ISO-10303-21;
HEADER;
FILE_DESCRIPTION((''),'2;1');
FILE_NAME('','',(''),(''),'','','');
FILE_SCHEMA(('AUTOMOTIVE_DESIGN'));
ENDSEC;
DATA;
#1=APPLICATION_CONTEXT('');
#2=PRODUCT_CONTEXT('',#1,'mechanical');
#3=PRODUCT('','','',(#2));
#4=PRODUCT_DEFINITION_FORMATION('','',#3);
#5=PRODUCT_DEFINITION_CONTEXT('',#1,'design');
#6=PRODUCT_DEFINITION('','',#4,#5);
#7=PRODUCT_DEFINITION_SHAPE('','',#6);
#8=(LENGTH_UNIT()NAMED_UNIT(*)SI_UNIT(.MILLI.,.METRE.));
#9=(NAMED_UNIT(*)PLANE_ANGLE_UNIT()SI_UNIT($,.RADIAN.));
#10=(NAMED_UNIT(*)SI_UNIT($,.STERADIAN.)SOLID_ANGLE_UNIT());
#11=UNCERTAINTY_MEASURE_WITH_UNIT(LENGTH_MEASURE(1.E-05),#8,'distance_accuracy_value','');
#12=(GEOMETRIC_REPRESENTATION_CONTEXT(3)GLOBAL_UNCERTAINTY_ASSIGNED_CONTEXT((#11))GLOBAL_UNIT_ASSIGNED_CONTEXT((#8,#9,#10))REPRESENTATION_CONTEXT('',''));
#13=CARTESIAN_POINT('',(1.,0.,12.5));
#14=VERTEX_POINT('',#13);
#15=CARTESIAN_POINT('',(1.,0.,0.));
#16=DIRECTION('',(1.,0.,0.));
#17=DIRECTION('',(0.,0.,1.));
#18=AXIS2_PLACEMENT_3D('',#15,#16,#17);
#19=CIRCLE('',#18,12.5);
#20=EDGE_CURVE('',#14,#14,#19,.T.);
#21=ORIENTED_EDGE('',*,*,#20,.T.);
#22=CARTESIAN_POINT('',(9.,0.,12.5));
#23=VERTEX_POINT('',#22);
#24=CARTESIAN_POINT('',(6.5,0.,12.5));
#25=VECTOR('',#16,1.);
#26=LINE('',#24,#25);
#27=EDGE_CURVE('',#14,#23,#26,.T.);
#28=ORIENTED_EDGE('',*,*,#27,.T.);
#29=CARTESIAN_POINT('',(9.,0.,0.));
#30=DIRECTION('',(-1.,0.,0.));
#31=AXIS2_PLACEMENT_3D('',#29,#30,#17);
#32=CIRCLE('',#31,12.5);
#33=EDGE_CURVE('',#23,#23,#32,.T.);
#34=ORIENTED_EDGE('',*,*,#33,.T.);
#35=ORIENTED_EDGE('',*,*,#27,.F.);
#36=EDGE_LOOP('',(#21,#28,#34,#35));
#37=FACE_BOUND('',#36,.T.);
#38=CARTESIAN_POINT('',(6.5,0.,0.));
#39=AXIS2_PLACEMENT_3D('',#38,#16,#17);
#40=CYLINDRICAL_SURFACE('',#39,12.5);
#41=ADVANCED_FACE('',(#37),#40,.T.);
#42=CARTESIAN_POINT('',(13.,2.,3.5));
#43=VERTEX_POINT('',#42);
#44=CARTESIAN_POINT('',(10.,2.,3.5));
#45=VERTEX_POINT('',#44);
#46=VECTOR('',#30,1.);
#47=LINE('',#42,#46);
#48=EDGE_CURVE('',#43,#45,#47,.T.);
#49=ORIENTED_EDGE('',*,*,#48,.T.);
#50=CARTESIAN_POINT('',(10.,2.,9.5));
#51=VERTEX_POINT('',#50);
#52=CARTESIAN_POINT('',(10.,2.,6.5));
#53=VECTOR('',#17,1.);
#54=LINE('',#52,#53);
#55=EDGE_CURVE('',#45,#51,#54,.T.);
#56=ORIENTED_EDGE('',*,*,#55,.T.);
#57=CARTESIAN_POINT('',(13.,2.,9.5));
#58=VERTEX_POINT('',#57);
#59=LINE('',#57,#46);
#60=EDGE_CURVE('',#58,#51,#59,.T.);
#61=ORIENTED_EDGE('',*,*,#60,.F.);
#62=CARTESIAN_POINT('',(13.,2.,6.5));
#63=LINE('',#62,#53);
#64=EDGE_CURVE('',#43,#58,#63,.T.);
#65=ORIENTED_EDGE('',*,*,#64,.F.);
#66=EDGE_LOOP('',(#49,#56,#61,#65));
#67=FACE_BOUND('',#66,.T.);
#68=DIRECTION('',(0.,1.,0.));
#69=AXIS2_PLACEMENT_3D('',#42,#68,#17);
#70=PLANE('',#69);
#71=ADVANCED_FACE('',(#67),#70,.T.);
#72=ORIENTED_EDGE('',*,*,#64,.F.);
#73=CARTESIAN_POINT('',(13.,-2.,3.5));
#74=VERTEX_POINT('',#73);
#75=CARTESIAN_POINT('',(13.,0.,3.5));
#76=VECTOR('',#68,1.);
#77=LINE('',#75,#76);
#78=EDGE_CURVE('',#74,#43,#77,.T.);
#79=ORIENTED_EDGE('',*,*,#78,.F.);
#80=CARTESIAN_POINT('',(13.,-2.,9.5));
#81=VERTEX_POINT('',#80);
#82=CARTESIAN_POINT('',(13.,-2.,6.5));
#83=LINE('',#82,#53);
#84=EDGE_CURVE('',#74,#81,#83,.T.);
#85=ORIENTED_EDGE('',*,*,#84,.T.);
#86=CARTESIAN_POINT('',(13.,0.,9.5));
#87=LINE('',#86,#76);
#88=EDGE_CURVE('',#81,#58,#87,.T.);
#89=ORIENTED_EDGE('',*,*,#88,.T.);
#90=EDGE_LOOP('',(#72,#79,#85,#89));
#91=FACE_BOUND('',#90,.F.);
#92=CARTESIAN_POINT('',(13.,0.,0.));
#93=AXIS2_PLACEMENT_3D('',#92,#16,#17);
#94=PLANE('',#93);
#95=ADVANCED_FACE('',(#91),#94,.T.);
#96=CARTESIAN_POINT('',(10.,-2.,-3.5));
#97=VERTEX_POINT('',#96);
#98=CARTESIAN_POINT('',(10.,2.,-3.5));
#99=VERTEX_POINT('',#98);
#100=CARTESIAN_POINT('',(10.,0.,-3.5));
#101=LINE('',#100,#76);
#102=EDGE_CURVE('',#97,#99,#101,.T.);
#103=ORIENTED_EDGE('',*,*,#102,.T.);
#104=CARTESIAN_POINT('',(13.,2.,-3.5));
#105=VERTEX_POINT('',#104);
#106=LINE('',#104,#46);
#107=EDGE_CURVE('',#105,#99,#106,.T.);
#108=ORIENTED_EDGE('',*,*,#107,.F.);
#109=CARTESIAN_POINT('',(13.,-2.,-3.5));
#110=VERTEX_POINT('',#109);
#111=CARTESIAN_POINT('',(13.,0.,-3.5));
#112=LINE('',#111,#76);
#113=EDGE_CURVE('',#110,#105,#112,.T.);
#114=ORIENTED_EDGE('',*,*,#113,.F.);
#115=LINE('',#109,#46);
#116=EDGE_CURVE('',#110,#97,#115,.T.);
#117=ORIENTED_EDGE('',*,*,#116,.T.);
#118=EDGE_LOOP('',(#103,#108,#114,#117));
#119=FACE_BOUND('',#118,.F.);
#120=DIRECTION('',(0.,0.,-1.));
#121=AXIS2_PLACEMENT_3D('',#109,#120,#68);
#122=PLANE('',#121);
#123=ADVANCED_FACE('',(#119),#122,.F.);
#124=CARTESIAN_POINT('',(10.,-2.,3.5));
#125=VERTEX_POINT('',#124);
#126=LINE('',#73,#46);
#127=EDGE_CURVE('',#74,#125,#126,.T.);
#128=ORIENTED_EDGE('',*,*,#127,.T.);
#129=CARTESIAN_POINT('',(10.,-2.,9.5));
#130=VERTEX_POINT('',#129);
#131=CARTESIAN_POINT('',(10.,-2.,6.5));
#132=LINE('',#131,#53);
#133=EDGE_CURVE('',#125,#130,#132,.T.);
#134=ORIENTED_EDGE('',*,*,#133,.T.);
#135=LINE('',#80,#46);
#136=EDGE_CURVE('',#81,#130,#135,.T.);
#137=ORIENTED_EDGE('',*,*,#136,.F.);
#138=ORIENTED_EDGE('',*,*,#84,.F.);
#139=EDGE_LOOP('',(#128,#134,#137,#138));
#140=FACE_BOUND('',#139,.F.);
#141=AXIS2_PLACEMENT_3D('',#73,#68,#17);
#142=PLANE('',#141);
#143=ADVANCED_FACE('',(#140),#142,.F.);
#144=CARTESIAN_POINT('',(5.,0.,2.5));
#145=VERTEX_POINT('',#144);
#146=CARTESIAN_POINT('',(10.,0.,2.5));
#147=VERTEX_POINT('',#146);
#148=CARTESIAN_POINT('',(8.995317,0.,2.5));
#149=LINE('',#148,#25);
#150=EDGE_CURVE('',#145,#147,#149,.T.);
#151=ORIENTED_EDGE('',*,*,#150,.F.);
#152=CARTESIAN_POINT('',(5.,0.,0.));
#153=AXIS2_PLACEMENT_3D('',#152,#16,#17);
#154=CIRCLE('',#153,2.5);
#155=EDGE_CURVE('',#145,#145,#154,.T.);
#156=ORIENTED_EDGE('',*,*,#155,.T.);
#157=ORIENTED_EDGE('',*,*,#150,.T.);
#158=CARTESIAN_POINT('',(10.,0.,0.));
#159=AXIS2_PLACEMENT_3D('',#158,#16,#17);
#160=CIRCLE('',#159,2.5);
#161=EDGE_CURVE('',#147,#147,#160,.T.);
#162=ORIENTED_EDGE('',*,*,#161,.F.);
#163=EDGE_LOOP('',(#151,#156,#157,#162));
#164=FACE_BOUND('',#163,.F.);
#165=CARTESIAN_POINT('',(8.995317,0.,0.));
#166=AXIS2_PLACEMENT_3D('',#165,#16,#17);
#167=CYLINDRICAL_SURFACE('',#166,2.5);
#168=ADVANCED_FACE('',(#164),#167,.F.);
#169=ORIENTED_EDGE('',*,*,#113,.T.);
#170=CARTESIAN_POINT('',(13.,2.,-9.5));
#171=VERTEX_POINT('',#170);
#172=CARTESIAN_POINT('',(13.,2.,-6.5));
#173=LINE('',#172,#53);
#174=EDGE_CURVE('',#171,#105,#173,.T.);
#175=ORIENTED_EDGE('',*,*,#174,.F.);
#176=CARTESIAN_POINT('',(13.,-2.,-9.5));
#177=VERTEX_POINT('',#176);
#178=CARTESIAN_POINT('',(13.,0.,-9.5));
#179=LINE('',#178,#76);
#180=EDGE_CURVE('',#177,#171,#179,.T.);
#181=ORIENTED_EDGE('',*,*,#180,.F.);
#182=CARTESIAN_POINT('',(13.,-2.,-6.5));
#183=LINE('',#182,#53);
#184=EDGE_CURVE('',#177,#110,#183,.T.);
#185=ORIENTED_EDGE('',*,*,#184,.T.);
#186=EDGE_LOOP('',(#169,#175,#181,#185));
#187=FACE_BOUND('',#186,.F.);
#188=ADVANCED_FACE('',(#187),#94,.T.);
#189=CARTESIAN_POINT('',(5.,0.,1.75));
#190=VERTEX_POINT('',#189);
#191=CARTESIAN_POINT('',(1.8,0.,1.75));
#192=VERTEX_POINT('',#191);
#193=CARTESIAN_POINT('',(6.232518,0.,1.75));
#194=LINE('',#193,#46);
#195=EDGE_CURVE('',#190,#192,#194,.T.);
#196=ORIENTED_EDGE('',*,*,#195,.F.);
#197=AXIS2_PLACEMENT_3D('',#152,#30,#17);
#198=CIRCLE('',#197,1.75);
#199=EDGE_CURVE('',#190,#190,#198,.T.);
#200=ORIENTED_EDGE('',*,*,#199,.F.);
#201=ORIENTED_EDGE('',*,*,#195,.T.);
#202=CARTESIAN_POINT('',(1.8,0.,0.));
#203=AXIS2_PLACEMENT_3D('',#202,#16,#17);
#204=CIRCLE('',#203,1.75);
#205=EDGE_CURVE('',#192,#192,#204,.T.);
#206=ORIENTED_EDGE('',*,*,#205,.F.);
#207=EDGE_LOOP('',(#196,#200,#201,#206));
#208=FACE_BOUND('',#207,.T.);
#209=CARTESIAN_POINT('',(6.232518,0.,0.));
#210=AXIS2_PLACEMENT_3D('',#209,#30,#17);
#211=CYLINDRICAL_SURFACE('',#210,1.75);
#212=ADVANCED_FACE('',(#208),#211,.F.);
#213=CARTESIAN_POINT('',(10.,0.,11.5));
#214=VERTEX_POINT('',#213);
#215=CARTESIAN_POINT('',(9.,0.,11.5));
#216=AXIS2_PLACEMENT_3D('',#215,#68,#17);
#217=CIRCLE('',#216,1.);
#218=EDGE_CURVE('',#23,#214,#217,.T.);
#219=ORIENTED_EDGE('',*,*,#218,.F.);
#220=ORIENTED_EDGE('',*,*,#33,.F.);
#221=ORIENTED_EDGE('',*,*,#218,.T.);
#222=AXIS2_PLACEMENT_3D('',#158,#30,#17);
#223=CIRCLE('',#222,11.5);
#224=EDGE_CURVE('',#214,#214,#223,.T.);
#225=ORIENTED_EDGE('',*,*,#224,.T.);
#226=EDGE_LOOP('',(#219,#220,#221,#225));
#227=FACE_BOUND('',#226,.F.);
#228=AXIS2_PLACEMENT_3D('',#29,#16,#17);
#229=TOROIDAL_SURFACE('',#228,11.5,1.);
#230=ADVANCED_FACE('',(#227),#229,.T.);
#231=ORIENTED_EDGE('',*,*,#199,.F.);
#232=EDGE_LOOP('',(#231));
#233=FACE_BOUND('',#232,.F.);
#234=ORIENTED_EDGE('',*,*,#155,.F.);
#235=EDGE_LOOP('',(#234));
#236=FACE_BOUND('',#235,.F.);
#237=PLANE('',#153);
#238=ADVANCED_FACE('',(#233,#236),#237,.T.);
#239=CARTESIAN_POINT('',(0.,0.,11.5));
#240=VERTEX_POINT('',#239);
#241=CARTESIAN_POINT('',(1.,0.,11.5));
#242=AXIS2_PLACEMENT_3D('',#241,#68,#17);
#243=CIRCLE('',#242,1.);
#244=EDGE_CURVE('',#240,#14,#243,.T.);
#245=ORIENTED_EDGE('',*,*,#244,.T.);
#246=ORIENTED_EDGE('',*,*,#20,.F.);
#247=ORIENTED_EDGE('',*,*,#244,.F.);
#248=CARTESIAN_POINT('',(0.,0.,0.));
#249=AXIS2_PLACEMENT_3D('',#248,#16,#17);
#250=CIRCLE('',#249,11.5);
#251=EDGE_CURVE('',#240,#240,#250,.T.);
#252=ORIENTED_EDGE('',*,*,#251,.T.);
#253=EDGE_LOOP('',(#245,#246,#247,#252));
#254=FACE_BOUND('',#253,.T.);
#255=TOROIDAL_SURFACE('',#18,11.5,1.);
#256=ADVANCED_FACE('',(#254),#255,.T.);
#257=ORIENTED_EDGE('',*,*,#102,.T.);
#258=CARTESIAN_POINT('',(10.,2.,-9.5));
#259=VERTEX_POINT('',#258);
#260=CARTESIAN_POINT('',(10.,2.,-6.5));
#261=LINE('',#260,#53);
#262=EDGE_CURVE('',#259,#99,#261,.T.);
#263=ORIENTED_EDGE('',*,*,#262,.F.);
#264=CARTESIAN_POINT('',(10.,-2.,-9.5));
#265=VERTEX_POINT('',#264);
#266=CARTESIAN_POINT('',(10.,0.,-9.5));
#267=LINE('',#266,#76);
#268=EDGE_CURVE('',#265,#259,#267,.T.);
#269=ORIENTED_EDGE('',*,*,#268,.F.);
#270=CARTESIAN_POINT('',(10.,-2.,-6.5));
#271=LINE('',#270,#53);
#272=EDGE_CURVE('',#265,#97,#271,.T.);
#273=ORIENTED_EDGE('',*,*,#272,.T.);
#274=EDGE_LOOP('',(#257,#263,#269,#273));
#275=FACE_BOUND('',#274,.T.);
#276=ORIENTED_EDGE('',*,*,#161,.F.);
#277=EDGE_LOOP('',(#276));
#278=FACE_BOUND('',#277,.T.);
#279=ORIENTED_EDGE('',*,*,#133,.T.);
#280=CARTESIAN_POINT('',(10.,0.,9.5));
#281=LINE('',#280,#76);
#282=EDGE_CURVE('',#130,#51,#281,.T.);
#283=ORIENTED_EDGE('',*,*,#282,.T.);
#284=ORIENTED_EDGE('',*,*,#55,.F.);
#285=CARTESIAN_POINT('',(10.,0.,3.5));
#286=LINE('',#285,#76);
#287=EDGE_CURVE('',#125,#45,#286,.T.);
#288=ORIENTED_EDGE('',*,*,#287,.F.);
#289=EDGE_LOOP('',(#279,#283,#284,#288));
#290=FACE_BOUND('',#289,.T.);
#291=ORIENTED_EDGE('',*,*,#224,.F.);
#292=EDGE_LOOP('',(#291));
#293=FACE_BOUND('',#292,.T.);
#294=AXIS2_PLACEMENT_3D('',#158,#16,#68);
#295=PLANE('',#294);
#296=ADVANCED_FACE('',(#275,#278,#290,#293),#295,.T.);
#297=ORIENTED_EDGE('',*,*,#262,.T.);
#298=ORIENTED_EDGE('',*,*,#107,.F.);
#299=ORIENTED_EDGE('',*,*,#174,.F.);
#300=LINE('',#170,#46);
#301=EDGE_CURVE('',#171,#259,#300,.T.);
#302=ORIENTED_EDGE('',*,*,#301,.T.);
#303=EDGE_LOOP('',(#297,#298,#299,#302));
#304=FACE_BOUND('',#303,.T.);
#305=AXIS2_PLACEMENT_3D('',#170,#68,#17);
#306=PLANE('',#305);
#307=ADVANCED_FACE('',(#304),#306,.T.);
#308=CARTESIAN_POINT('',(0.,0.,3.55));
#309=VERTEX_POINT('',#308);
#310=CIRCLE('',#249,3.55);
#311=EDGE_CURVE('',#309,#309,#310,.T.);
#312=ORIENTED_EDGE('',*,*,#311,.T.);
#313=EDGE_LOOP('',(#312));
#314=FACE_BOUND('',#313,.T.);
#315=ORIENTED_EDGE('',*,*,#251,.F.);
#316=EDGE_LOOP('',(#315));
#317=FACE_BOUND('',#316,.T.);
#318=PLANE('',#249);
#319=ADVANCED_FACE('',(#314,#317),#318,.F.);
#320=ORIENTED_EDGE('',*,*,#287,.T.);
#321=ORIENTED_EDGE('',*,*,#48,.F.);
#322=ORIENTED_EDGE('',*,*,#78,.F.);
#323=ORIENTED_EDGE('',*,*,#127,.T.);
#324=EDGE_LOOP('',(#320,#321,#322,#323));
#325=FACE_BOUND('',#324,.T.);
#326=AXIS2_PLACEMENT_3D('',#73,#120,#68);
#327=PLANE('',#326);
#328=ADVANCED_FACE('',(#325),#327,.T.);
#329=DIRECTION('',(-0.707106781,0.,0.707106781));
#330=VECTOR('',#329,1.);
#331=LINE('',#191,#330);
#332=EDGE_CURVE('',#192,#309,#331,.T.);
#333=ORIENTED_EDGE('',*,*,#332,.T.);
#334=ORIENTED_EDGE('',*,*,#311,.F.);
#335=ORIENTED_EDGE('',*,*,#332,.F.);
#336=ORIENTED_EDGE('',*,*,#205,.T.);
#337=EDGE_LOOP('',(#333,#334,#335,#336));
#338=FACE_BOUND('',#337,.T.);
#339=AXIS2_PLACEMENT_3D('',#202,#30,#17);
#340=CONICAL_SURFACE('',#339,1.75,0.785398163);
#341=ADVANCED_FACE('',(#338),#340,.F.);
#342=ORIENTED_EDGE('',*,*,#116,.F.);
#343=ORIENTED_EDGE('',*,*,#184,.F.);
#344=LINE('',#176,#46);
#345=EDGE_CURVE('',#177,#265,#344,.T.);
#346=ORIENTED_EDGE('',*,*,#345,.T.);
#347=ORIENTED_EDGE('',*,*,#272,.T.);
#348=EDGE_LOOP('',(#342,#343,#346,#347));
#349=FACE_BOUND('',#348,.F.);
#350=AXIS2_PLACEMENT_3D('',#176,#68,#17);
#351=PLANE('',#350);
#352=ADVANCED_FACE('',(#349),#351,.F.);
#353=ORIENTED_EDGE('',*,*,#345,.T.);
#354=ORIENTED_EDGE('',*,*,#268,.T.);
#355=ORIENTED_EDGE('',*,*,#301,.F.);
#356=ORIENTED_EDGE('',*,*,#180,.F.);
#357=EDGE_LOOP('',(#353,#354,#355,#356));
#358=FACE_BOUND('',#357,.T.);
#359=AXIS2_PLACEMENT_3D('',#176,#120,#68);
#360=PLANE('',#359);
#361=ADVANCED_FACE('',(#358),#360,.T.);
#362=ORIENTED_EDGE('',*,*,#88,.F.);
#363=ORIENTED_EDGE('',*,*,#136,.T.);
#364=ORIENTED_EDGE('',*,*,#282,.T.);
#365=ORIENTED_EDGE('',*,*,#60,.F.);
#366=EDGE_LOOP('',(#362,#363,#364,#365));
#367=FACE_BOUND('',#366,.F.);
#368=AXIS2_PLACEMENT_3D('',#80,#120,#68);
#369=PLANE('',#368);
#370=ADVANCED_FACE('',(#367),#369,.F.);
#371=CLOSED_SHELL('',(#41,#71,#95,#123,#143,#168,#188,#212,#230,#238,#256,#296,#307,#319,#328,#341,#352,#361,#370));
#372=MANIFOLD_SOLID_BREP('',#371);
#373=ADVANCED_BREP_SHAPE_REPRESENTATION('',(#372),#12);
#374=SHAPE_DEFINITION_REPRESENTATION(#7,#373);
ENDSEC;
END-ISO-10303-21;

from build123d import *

# Parameters (mm, degrees)
F0_W     = 13
F0_H     = 12.5
F2_R     = 12.5
F2_W     = 4
F2_H     = 6
F3_DEPTH = 3
F4_W     = 7.990635
F4_H     = 2.5
F8_R     = 1


with BuildPart() as f1:
    # F0 (on Front) → F1 (revolve)
    with BuildSketch(Plane.XZ):
        with Locations((6.5, 6.25)):
            Rectangle(F0_W, F0_H)
    revolve(axis=Axis((9.685505, 0, 0), (1, 0, 0)))

    # F2 (on face) → F3 (cut)
    with BuildSketch(Plane.YZ.offset(13)):
        Circle(F2_R)
        with Locations((0, -6.5)):
            Rectangle(F2_W, F2_H, mode=Mode.SUBTRACT)
        with Locations((0, 6.5)):
            Rectangle(F2_W, F2_H, mode=Mode.SUBTRACT)
    extrude(amount=-F3_DEPTH, mode=Mode.SUBTRACT)

    # F4 (on Front) → F5 (revolve, cut)
    with BuildSketch(Plane.XZ):
        with Locations((8.995317, 1.25)):
            Rectangle(F4_W, F4_H)
    revolve(axis=Axis((7.811431, 0, 0), (1, 0, 0)), mode=Mode.SUBTRACT)

    # F6 (on Front) → F7 (revolve, cut)
    with BuildSketch(Plane.XZ):
        Polygon((0, 3.55), (0, 0), (6.232518, 0), (6.232518, 1.75), (1.8, 1.75), align=None)
    revolve(axis=Axis((5.52431, 0, 0), (1, 0, 0)), mode=Mode.SUBTRACT)

    # F8
    f8_edges = [f1.edges().sort_by_distance(p)[0] for p in [
        (10, 0, -12.5),
        (0, 0, -12.5),
    ]]
    fillet(f8_edges, radius=F8_R)


solid = f1.part
